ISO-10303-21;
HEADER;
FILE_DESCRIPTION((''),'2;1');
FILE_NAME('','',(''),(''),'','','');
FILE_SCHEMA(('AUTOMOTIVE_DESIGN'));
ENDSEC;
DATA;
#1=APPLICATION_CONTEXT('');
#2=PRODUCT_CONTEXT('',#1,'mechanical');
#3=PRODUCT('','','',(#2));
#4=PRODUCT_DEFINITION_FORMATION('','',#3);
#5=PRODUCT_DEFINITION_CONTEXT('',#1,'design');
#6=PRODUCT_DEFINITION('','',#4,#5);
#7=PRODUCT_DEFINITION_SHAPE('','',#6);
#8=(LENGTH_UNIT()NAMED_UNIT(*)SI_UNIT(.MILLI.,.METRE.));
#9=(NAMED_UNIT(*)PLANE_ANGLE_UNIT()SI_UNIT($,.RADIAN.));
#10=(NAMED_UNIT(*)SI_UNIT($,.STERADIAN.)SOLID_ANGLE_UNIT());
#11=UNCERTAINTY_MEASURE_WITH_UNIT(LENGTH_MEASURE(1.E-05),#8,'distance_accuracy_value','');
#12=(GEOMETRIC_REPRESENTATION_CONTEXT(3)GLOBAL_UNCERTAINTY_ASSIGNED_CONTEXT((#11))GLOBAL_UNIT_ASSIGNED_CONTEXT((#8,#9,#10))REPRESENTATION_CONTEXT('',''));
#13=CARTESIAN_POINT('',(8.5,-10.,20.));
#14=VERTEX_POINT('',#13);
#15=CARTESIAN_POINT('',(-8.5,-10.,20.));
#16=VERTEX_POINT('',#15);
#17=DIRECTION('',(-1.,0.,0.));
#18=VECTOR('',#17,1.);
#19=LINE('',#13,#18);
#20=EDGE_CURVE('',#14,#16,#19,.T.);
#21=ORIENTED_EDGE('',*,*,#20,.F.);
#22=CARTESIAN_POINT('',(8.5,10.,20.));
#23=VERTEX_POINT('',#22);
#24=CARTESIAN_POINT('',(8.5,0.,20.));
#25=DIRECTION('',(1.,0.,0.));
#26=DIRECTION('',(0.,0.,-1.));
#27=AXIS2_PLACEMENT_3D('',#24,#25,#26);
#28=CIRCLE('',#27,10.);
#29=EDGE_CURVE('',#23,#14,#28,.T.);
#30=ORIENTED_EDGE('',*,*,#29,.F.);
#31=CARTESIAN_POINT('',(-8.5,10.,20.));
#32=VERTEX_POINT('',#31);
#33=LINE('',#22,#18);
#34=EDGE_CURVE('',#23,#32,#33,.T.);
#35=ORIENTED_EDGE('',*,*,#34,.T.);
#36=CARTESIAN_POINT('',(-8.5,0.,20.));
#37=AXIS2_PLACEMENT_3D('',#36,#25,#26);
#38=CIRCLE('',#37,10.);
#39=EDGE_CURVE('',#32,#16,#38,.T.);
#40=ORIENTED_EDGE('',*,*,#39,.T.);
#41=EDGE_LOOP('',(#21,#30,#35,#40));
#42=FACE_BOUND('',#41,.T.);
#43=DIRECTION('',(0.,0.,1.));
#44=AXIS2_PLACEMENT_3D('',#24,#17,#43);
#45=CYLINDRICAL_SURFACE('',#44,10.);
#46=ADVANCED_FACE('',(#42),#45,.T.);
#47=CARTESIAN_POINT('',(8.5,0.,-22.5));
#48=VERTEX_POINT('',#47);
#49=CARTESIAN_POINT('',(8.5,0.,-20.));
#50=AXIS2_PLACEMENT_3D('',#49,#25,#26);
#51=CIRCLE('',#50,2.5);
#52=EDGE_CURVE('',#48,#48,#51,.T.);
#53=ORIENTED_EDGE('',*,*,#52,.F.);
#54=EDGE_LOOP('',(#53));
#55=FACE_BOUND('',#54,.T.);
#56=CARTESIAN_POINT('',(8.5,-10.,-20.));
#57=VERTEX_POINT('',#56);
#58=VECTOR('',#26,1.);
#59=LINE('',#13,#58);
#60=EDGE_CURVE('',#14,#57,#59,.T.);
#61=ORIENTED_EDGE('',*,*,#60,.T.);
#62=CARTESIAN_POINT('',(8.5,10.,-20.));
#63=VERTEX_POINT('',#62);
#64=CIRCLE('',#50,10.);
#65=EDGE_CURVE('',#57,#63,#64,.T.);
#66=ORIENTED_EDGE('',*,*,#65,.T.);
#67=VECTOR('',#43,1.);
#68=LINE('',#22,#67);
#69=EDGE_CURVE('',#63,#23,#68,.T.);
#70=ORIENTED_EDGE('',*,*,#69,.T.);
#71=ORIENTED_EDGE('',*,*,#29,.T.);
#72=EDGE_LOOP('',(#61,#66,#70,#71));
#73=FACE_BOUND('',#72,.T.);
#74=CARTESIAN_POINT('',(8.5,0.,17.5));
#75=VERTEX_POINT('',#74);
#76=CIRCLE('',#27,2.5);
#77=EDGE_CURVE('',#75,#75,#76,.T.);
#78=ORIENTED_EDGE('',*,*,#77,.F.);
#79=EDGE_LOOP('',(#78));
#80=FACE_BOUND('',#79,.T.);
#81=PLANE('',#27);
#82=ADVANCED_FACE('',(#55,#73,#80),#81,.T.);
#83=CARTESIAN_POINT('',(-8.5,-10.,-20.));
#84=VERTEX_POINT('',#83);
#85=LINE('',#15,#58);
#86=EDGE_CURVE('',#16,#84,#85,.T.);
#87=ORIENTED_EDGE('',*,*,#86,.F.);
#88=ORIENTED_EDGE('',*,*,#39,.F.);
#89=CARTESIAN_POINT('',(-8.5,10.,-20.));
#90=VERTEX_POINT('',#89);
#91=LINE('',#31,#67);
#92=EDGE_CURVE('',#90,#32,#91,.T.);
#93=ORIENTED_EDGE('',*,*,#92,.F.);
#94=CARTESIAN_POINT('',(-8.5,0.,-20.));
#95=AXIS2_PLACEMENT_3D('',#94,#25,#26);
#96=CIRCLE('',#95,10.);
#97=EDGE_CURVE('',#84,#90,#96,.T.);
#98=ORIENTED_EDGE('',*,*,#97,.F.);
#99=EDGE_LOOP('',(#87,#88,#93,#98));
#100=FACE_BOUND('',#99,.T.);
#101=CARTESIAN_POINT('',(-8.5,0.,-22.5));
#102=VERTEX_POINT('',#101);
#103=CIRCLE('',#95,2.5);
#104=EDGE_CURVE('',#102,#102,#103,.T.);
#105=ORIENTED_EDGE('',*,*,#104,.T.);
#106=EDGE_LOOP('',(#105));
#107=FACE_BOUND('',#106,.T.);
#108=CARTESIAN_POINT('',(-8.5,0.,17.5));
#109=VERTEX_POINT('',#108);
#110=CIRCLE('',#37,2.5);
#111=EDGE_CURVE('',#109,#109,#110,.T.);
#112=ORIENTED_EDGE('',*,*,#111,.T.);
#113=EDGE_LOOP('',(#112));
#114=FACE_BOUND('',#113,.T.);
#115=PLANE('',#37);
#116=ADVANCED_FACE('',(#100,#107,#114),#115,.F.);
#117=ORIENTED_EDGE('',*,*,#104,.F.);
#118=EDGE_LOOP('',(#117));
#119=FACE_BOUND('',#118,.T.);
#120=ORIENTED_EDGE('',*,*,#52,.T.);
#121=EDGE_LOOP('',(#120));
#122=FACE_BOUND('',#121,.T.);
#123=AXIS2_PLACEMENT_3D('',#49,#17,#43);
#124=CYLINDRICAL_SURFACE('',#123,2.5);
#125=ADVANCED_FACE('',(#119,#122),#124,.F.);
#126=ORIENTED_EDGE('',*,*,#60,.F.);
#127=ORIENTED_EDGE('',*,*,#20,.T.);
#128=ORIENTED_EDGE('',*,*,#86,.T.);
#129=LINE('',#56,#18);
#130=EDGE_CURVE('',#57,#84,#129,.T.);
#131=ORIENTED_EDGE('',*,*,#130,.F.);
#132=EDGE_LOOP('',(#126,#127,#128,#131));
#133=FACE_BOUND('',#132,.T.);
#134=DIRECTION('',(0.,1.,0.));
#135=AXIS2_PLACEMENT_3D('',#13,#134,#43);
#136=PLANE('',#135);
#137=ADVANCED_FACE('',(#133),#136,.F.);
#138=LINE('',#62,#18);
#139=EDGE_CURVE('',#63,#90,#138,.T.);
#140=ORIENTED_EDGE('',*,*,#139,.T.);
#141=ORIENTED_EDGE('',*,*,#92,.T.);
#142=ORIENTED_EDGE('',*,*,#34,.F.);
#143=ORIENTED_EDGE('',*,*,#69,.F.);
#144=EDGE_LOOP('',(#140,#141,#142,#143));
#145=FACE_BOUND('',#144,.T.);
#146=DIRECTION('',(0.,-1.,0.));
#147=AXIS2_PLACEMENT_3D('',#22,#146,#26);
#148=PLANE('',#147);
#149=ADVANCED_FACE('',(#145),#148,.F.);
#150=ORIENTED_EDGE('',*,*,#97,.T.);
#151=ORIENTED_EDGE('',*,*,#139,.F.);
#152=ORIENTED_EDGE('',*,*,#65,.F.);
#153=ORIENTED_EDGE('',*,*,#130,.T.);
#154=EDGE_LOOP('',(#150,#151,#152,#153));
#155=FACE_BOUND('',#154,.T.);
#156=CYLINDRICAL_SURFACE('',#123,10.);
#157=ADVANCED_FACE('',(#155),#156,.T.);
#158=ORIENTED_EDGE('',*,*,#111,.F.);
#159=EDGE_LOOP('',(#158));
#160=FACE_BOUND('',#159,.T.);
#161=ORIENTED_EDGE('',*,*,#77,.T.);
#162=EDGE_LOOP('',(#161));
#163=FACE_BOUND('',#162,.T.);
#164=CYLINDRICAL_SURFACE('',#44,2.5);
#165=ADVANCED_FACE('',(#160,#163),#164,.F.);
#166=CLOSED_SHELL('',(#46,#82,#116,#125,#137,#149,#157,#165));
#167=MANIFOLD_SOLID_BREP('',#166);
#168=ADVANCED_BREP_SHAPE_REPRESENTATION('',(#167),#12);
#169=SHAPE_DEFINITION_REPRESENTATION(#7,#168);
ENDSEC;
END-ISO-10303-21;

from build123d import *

# Parameters (mm, degrees)
CROQUIS1_R              = 2.5
SALIENTE_EXTRUIR1_DEPTH = 8.5


with BuildPart() as part:
    # Croquis1 → Saliente-Extruir1 (new, symmetric)
    with BuildSketch(Plane(origin=(0, 0, 0), x_dir=(0, 0, -1), z_dir=(1, 0, 0))):
        with BuildLine():
            Line((-20, 10), (20, 10))
            ThreePointArc((20, 10), (30, 0), (20, -10))
            Line((20, -10), (-20, -10))
            ThreePointArc((-20, -10), (-30, 0), (-20, 10))
        make_face()
        with Locations((-20, 0)):
            Circle(CROQUIS1_R, mode=Mode.SUBTRACT)
        with Locations((20, 0)):
            Circle(CROQUIS1_R, mode=Mode.SUBTRACT)
    extrude(amount=SALIENTE_EXTRUIR1_DEPTH, both=True)


solid = part.part
